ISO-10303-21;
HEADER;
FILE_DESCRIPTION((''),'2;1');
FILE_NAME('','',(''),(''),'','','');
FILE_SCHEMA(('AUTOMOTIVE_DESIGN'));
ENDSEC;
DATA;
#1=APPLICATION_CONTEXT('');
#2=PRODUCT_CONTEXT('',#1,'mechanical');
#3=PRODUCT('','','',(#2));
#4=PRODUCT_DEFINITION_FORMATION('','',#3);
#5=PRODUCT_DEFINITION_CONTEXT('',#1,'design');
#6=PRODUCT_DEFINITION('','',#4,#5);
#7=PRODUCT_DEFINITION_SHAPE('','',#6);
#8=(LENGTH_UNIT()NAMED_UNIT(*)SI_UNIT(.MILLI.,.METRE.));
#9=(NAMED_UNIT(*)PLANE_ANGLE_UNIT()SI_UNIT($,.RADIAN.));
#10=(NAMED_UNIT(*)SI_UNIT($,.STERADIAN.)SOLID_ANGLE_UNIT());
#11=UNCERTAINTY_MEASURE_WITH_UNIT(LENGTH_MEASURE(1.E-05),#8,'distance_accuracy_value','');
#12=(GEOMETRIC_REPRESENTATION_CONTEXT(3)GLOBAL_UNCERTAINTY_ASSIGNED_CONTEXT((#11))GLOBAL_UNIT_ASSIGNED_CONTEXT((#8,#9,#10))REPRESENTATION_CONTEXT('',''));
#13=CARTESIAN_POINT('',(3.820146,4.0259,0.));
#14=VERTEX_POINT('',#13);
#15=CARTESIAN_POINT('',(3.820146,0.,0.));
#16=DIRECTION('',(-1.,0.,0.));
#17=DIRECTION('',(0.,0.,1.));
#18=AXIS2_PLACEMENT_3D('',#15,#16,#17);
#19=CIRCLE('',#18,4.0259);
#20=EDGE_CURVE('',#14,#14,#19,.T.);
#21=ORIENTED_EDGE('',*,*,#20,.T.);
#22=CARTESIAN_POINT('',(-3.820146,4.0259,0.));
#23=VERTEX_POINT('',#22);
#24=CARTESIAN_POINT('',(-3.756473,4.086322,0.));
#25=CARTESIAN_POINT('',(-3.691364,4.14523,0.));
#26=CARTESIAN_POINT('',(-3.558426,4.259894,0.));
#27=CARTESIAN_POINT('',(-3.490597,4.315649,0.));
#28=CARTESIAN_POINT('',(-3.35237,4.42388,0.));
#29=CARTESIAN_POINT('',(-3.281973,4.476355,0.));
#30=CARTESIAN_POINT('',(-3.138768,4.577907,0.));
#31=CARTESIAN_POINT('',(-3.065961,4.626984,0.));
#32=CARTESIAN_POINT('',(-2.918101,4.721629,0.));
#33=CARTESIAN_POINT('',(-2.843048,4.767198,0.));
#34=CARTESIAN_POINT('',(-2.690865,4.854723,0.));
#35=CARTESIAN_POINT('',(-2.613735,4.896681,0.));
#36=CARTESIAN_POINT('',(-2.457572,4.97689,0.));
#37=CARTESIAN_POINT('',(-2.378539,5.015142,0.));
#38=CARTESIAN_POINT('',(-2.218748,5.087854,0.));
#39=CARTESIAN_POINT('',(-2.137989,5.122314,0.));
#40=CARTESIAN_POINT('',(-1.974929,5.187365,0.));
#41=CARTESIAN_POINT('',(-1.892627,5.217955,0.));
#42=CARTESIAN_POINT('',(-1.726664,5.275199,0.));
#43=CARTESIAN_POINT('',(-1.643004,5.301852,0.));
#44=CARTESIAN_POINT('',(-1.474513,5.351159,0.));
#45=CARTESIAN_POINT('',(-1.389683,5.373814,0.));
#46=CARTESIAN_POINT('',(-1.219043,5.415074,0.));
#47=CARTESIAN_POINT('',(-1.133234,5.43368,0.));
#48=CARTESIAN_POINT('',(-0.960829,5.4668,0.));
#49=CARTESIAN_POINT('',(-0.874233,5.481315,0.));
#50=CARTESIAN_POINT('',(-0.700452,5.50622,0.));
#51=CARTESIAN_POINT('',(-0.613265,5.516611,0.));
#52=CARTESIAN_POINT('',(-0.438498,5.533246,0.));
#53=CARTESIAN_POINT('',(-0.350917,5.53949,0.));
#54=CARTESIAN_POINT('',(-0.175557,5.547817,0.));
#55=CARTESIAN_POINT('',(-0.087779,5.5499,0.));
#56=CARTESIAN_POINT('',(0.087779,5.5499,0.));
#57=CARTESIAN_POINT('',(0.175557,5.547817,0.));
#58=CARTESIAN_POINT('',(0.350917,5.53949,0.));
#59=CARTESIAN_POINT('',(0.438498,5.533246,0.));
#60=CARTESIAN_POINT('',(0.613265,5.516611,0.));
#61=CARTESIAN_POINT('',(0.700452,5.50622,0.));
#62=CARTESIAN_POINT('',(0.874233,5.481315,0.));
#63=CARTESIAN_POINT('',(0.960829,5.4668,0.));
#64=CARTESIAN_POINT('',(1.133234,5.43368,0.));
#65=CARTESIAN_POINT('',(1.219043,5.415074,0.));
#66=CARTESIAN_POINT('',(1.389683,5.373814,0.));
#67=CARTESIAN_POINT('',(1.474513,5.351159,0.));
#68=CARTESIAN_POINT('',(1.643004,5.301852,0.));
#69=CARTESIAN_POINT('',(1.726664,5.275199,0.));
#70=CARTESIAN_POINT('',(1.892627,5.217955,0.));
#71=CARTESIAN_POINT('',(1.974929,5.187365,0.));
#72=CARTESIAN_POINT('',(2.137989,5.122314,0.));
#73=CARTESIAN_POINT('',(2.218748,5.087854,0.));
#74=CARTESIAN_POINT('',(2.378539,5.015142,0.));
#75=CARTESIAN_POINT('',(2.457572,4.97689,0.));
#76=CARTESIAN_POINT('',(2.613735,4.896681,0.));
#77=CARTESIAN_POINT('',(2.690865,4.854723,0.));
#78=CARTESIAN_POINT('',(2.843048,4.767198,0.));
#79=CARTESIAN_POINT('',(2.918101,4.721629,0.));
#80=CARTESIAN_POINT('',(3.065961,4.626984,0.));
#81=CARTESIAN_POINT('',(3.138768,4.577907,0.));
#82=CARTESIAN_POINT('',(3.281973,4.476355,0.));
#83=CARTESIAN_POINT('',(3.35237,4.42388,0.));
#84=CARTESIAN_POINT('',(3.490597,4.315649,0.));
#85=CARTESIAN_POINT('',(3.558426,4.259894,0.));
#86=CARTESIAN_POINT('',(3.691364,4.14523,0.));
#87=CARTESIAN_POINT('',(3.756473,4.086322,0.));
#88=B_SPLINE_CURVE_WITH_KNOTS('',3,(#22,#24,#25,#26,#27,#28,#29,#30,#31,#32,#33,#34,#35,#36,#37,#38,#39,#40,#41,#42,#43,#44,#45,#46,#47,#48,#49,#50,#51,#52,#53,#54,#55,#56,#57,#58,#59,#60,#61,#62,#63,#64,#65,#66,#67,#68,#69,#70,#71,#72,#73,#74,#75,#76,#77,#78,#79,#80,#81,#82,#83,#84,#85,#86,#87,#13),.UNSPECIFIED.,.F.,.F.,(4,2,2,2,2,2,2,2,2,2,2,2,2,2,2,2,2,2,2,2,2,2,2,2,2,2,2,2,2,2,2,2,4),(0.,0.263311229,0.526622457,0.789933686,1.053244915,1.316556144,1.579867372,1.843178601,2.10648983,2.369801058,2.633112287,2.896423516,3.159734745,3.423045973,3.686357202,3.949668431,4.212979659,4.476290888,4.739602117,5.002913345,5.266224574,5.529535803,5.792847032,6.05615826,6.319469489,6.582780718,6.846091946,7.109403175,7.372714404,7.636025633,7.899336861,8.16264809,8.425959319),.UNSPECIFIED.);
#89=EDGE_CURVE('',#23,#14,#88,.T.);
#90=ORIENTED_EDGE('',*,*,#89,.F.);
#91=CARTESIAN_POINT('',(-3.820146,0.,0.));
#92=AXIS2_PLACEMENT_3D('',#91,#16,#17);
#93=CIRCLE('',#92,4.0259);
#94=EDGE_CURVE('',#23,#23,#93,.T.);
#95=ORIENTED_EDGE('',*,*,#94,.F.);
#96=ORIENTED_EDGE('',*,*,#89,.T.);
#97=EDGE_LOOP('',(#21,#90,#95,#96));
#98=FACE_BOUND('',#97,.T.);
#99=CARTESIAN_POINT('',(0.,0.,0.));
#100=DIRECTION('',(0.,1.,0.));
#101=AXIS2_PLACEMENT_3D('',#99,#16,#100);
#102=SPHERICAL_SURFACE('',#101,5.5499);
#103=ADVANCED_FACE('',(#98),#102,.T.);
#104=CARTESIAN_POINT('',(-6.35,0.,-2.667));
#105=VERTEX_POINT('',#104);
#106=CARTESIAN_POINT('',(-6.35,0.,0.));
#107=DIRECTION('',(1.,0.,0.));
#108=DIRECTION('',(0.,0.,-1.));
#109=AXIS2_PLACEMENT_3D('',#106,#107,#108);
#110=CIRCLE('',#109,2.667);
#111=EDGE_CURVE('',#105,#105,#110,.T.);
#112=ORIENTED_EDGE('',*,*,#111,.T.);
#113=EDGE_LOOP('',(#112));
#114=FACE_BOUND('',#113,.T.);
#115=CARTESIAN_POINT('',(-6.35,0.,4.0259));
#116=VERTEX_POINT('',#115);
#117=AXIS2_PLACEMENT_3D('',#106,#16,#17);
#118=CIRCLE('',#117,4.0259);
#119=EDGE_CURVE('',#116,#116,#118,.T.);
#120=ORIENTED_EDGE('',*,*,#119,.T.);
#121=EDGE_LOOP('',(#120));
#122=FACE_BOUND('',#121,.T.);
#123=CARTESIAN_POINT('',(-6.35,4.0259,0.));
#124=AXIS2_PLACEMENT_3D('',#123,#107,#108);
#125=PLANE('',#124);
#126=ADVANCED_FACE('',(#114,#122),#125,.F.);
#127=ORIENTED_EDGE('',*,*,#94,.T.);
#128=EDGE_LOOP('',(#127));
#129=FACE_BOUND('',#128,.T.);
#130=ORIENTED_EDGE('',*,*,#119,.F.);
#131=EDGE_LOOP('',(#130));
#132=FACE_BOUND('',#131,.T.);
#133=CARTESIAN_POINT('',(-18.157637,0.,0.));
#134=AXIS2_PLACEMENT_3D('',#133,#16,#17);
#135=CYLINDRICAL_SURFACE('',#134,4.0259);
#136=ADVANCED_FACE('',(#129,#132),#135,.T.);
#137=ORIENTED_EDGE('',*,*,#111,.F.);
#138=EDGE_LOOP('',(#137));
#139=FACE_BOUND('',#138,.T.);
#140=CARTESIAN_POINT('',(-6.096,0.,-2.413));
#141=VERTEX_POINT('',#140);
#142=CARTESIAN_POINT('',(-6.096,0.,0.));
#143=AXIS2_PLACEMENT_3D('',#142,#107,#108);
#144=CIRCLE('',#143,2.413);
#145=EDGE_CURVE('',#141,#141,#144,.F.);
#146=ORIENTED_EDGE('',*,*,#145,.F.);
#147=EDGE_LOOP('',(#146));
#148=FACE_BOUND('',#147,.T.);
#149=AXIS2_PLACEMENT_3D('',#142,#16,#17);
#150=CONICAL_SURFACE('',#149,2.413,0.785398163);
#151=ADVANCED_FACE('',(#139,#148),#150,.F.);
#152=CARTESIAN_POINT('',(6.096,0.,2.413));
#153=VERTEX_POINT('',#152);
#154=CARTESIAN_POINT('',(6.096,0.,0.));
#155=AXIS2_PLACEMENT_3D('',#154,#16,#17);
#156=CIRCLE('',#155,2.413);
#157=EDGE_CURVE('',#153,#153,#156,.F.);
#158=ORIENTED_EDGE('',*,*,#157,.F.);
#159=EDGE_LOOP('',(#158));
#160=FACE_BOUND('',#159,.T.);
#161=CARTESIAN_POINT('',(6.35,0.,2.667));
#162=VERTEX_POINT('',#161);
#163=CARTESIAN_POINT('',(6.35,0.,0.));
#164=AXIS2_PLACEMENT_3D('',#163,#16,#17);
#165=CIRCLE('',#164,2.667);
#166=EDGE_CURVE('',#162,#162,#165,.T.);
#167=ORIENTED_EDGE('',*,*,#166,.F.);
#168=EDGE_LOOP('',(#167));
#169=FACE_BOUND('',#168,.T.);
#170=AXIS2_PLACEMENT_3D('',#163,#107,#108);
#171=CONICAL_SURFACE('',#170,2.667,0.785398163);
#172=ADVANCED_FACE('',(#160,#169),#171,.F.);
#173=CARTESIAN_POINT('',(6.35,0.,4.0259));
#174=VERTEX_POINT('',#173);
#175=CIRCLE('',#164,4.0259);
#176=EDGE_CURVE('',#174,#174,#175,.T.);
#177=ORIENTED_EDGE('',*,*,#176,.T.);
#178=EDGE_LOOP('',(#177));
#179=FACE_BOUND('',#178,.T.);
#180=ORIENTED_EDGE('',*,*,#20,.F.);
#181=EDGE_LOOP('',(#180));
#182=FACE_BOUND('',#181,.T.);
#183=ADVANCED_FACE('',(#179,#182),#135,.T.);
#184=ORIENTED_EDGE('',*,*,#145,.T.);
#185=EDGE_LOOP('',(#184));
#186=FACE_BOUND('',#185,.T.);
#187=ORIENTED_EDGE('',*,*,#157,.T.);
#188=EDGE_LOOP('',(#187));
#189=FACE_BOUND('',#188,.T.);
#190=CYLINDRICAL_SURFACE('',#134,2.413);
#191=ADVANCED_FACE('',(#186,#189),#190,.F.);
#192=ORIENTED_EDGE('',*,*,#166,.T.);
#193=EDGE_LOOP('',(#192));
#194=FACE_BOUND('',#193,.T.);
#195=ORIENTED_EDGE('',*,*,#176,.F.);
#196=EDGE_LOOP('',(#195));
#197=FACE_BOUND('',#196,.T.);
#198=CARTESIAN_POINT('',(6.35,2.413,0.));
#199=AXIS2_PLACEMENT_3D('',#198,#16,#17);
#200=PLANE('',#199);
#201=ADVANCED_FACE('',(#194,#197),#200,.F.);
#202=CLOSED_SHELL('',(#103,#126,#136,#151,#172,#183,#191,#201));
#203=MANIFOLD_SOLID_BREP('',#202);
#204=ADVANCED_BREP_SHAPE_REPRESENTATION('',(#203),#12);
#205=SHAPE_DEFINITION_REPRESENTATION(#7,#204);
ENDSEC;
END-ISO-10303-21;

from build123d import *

# Parameters (mm, degrees)
CHAMFER1_SIZE = 0.254


with BuildPart() as part:
    # Sketch1 → Revolve1 (revolve)
    with BuildSketch(Plane.XY, mode=Mode.PRIVATE) as revolve1_sk:
        with BuildLine():
            Line((-6.35, 4.0259), (-6.35, 2.413))
            Line((-6.35, 2.413), (6.35, 2.413))
            Line((6.35, 2.413), (6.35, 4.0259))
            Line((6.35, 4.0259), (3.820146489, 4.0259))
            ThreePointArc((3.820146489, 4.0259), (0, 5.5499), (-3.820146489, 4.0259))
            Line((-3.820146489, 4.0259), (-6.35, 4.0259))
        make_face()
    revolve(revolve1_sk.sketch.rotate(Axis((-18.157637283, 0, 0), (1, 0, 0)), 90), axis=Axis((-18.157637283, 0, 0), (1, 0, 0)))

    # Chamfer1
    chamfer1_edges = [part.edges().sort_by_distance(p)[0] for p in [
        (-6.35, 0, -2.413),
        (6.35, 0, -2.413),
    ]]
    chamfer(chamfer1_edges, length=CHAMFER1_SIZE)


solid = part.part
